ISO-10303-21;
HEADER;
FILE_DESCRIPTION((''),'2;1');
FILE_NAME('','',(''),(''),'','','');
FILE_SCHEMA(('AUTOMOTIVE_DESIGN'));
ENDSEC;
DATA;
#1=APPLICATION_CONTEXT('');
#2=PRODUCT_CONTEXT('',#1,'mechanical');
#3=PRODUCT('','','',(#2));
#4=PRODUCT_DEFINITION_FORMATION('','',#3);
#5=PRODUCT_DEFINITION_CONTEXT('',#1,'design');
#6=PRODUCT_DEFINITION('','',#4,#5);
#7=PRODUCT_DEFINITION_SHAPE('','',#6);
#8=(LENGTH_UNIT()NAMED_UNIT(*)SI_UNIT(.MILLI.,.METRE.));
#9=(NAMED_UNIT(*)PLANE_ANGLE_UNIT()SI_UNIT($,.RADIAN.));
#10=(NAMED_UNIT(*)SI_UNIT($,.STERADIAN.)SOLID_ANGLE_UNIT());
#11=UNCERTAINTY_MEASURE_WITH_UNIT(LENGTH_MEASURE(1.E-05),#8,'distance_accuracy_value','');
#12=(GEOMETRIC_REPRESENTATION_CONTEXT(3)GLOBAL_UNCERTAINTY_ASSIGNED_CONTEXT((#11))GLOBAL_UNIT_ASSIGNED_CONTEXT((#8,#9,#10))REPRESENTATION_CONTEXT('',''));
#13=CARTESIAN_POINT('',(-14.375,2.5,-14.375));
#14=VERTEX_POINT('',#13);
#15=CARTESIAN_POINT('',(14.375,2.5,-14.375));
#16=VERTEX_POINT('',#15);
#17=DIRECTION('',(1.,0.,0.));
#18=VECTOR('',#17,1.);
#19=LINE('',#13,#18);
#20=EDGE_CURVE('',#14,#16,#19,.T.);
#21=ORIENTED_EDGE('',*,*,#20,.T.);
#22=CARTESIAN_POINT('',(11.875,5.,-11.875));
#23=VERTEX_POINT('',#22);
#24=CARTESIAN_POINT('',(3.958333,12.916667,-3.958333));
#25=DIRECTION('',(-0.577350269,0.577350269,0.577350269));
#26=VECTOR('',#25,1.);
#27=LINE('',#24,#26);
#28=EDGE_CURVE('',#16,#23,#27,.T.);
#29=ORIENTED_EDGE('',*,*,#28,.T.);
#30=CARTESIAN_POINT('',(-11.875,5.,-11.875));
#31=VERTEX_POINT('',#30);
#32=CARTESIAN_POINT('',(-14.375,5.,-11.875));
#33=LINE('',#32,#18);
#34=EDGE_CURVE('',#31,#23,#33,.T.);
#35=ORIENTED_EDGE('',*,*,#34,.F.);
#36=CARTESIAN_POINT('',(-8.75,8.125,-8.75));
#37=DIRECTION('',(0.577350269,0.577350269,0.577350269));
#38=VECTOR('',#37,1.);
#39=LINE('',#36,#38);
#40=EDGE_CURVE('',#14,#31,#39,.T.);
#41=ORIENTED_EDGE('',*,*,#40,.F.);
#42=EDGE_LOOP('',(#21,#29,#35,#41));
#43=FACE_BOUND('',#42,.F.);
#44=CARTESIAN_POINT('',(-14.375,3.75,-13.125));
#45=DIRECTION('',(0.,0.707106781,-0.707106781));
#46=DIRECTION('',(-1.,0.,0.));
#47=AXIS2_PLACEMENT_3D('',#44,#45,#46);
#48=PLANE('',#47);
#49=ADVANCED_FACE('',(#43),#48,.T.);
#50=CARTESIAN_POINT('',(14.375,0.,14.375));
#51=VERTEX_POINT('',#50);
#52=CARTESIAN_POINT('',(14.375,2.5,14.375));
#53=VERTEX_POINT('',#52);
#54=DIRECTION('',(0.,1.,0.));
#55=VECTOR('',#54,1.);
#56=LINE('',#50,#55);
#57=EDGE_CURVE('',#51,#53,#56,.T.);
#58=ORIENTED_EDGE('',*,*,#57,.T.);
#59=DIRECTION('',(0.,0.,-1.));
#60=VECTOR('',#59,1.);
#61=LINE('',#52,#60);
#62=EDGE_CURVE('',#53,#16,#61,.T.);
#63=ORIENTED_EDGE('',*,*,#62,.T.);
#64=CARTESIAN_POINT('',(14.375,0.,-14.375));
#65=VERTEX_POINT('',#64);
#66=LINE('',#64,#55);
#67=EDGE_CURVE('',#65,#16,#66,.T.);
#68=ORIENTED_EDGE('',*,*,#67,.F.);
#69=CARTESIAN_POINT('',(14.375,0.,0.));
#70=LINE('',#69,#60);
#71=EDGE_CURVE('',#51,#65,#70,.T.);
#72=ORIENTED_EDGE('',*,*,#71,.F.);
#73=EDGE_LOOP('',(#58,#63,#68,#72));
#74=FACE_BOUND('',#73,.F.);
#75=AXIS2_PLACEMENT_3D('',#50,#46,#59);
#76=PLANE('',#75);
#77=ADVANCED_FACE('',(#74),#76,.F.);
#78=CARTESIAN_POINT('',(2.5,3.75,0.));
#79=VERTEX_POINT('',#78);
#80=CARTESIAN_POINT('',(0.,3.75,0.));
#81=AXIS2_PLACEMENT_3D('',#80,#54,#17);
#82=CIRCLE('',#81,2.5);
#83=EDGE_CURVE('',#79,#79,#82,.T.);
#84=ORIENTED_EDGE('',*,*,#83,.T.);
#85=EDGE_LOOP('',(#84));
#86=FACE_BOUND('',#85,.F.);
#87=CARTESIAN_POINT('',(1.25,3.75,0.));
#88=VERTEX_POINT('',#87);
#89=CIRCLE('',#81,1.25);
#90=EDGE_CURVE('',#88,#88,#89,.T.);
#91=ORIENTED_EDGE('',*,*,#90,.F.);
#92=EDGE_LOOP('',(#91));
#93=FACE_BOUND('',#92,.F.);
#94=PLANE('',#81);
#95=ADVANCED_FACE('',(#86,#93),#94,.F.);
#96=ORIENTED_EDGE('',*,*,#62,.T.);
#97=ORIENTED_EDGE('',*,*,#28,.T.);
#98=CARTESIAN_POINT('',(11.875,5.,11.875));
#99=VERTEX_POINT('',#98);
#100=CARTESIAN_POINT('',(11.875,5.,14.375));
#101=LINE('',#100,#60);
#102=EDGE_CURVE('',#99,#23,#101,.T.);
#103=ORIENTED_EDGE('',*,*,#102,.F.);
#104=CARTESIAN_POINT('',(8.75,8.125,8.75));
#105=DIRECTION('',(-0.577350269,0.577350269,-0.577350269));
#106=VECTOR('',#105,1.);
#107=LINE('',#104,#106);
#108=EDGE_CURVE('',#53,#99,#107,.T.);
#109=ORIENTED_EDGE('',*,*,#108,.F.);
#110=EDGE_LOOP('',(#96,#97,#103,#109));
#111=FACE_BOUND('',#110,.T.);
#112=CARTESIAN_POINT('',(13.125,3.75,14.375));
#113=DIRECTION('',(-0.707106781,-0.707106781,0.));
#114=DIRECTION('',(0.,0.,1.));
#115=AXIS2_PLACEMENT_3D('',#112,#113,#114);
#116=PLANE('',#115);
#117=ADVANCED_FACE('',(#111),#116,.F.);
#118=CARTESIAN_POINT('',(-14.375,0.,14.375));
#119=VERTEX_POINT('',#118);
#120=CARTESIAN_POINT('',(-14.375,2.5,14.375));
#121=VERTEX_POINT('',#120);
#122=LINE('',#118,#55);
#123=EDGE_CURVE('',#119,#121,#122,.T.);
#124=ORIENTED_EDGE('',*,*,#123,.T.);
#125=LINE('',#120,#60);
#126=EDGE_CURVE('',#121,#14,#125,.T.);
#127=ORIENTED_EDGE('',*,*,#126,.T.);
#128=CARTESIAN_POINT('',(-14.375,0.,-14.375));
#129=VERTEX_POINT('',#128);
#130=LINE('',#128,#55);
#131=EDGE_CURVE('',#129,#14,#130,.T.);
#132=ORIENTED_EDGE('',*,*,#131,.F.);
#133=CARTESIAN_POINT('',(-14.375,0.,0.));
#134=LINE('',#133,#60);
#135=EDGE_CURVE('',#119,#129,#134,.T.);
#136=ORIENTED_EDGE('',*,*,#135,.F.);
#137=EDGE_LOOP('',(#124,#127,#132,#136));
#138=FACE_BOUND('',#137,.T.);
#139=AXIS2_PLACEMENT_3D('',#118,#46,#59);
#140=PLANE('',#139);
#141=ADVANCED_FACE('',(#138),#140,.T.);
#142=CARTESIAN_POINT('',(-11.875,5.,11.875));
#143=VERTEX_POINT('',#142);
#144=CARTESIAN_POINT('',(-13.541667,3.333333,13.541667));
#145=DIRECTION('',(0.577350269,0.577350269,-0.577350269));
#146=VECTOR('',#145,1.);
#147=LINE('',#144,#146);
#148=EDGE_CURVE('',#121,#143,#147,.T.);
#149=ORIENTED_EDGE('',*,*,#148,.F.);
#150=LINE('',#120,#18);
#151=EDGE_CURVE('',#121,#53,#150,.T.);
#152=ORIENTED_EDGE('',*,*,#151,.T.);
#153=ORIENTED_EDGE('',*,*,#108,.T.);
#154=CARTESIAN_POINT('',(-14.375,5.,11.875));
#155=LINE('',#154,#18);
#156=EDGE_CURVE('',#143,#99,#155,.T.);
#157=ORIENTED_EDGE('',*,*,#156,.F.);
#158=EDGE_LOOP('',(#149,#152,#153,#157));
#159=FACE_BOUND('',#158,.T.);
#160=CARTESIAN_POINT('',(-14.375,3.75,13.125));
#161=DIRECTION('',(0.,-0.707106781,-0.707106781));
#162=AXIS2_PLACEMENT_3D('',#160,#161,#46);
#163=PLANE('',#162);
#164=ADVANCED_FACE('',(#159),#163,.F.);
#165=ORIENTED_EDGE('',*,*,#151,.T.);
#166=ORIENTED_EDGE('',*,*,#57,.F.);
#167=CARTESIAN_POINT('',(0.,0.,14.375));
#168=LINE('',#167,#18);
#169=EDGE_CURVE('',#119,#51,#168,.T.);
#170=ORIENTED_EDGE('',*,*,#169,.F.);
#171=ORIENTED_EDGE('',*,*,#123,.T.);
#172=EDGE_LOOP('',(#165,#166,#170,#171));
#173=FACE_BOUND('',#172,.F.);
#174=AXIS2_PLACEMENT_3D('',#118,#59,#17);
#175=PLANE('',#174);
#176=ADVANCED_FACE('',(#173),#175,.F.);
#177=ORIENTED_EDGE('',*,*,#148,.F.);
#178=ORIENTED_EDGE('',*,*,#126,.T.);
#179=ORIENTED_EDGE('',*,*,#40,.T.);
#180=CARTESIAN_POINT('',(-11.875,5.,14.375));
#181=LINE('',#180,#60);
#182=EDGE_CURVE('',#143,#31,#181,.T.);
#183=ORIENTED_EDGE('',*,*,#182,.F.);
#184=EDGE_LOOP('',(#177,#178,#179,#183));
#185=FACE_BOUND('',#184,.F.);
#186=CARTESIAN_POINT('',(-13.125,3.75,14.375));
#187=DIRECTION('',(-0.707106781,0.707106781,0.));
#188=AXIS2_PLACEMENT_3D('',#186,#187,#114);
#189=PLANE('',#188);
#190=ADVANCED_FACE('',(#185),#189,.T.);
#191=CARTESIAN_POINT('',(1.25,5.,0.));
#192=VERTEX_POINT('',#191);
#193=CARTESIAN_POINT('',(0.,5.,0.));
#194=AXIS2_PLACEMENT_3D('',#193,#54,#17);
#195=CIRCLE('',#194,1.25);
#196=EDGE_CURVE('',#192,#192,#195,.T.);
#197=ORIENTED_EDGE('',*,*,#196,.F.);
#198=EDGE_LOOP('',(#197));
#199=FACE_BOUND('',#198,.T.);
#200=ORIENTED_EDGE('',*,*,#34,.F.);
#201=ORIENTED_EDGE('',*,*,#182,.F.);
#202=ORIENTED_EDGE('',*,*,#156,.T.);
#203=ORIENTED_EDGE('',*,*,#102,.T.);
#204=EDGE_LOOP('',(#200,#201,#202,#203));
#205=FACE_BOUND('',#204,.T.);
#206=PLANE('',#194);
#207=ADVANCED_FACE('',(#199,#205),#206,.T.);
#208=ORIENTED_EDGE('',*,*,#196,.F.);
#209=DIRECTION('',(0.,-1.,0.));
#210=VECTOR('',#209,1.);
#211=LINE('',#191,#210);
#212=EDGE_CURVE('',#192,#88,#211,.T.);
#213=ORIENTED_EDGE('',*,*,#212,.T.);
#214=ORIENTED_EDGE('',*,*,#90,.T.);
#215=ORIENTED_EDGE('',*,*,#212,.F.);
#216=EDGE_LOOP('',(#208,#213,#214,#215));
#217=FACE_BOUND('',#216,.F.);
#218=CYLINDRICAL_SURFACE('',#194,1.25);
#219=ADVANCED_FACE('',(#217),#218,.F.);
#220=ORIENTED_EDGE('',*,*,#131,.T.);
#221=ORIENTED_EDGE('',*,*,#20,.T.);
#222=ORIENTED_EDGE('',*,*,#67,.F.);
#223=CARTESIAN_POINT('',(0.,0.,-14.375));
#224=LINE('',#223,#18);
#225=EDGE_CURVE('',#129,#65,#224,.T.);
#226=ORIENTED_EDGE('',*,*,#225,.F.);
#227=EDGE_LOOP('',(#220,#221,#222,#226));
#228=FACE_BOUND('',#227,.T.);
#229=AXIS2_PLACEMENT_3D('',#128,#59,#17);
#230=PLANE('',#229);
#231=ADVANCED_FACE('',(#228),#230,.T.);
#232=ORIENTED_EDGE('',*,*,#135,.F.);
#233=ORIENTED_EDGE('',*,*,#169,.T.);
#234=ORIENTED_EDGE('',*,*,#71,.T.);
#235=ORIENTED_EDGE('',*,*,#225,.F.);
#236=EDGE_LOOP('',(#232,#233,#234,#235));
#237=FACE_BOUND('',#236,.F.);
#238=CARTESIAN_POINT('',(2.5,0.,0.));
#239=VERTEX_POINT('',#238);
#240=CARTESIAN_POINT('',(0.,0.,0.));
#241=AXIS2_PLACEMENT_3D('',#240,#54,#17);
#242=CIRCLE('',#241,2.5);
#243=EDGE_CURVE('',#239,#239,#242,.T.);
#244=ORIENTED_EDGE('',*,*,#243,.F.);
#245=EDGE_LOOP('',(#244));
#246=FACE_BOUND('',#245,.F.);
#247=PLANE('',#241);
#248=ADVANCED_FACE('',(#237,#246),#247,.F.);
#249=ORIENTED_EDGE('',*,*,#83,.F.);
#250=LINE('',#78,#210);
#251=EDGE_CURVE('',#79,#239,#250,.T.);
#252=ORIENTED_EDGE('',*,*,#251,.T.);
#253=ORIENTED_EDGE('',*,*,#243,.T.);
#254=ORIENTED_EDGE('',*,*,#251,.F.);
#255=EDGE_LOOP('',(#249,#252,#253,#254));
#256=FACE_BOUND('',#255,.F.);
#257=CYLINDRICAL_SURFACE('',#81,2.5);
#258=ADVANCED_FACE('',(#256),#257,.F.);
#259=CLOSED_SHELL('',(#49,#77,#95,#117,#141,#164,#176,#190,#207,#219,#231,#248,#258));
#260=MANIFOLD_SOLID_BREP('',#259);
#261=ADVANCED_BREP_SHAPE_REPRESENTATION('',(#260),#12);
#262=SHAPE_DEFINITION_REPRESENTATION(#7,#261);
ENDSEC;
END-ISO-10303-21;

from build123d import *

# Parameters (mm, degrees)
SKETCH2_W           = 28.75
SKETCH2_H           = 28.75
BOSS_EXTRUDE1_DEPTH = 5
CHAMFER1_SIZE       = 2.5
SKETCH3_R           = 1.25
CUT_EXTRUDE1_DEPTH  = 1.25
SKETCH6_R           = 2.5
CUT_EXTRUDE2_DEPTH  = 3.75


with BuildPart() as part:
    # Sketch2 → Boss-Extrude1 (new body)
    with BuildSketch(Plane(origin=(0, 0, 0), x_dir=(1, 0, 0), z_dir=(0, 1, 0))):
        Rectangle(SKETCH2_W, SKETCH2_H)
    extrude(amount=BOSS_EXTRUDE1_DEPTH)

    # Chamfer1
    chamfer1_edges = [part.edges().sort_by_distance(p)[0] for p in [
        (-14.375, 5, 0),
        (0, 5, 14.375),
        (14.375, 5, 0),
        (0, 5, -14.375),
    ]]
    chamfer(chamfer1_edges, length=CHAMFER1_SIZE)

    # Sketch3 → Cut-Extrude1 (cut)
    with BuildSketch(Plane(origin=(0, 5, 0), x_dir=(1, 0, 0), z_dir=(0, 1, 0))):
        Circle(SKETCH3_R)
    extrude(amount=-CUT_EXTRUDE1_DEPTH, mode=Mode.SUBTRACT)

    # Sketch6 → Cut-Extrude2 (cut)
    with BuildSketch(Plane(origin=(0, 3.75, 0), x_dir=(1, 0, 0), z_dir=(0, 1, 0))):
        Circle(SKETCH6_R)
    extrude(amount=-CUT_EXTRUDE2_DEPTH, mode=Mode.SUBTRACT)


solid = part.part
